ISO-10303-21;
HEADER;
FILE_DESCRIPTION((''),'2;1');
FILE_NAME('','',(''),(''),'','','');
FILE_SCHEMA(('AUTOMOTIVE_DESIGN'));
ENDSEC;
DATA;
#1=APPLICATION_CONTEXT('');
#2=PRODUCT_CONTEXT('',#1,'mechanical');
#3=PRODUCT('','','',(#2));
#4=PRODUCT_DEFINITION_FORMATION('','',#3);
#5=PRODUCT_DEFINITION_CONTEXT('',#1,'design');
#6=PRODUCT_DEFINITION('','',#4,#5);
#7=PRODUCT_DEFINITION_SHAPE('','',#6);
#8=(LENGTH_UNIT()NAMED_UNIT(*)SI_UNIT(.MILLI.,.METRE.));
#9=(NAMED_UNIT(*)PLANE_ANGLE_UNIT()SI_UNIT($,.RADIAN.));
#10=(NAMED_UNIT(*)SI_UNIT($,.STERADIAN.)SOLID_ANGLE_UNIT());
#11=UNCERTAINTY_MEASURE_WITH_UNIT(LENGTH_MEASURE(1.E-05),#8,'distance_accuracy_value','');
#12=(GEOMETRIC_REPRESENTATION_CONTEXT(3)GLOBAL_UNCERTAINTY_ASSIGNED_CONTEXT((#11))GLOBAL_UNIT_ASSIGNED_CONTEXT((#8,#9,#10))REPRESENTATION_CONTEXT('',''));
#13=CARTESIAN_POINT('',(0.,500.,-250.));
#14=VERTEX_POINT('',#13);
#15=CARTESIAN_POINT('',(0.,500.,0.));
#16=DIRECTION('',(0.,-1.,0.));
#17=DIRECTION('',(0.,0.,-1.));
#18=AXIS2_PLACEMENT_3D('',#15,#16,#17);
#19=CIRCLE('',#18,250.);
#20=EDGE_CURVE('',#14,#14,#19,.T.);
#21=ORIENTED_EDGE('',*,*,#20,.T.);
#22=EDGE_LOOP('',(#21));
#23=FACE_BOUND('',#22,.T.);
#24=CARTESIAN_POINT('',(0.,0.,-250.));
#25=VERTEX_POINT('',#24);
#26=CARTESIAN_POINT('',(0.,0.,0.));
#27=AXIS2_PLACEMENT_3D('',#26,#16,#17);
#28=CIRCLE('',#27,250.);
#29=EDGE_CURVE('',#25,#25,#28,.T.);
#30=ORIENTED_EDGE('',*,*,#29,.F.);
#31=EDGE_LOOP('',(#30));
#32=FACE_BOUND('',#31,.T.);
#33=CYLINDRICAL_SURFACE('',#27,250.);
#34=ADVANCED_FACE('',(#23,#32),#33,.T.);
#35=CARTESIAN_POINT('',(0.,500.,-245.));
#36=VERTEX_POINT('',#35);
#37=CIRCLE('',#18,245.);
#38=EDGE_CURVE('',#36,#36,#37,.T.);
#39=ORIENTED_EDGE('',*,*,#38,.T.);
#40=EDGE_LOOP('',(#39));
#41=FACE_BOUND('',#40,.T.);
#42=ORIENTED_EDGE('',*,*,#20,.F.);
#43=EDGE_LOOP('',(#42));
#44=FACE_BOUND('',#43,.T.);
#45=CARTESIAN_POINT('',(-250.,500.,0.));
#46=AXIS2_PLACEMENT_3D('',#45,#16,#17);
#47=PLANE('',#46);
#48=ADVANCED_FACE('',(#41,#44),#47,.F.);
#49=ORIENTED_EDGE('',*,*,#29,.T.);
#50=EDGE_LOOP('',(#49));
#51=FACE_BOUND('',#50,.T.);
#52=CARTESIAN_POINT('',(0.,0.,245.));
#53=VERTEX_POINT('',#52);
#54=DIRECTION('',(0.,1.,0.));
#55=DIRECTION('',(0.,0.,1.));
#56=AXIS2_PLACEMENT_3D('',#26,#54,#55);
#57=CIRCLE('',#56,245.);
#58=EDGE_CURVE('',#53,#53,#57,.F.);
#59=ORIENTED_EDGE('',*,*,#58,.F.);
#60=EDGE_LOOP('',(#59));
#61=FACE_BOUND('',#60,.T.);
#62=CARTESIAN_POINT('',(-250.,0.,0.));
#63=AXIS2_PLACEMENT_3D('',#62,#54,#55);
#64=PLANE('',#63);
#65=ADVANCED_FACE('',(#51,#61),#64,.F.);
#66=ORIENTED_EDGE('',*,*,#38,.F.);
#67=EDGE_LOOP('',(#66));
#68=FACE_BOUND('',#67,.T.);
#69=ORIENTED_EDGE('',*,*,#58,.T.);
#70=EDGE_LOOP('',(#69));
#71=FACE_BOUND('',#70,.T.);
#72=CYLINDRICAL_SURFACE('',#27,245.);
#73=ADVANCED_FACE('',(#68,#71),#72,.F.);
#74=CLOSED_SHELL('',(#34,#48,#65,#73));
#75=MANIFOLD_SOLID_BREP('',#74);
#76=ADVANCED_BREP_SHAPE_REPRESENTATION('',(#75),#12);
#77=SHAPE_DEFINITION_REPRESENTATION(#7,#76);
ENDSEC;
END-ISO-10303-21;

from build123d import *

# Parameters (mm, degrees)
CROQUIS1_W = 250
CROQUIS1_H = 500
VACIADO1_T = -5


with BuildPart() as part:
    # Croquis1 → Revolución1 (revolve)
    with BuildSketch(Plane.XY, mode=Mode.PRIVATE) as revoluci_n1_sk:
        with Locations((-125, 250)):
            Rectangle(CROQUIS1_W, CROQUIS1_H)
    revolve(revoluci_n1_sk.sketch.rotate(Axis((0, 0, 0), (0, 1, 0)), 270), axis=Axis((0, 0, 0), (0, 1, 0)))  # turned: the seam where the file's is

    # Vaciado1
    vaciado1_openings = [part.faces().sort_by_distance(p)[0] for p in [
        (0, 500, 0),
        (0, 0, 0),
    ]]
    offset(amount=VACIADO1_T, openings=vaciado1_openings, kind=Kind.INTERSECTION)


solid = part.part
